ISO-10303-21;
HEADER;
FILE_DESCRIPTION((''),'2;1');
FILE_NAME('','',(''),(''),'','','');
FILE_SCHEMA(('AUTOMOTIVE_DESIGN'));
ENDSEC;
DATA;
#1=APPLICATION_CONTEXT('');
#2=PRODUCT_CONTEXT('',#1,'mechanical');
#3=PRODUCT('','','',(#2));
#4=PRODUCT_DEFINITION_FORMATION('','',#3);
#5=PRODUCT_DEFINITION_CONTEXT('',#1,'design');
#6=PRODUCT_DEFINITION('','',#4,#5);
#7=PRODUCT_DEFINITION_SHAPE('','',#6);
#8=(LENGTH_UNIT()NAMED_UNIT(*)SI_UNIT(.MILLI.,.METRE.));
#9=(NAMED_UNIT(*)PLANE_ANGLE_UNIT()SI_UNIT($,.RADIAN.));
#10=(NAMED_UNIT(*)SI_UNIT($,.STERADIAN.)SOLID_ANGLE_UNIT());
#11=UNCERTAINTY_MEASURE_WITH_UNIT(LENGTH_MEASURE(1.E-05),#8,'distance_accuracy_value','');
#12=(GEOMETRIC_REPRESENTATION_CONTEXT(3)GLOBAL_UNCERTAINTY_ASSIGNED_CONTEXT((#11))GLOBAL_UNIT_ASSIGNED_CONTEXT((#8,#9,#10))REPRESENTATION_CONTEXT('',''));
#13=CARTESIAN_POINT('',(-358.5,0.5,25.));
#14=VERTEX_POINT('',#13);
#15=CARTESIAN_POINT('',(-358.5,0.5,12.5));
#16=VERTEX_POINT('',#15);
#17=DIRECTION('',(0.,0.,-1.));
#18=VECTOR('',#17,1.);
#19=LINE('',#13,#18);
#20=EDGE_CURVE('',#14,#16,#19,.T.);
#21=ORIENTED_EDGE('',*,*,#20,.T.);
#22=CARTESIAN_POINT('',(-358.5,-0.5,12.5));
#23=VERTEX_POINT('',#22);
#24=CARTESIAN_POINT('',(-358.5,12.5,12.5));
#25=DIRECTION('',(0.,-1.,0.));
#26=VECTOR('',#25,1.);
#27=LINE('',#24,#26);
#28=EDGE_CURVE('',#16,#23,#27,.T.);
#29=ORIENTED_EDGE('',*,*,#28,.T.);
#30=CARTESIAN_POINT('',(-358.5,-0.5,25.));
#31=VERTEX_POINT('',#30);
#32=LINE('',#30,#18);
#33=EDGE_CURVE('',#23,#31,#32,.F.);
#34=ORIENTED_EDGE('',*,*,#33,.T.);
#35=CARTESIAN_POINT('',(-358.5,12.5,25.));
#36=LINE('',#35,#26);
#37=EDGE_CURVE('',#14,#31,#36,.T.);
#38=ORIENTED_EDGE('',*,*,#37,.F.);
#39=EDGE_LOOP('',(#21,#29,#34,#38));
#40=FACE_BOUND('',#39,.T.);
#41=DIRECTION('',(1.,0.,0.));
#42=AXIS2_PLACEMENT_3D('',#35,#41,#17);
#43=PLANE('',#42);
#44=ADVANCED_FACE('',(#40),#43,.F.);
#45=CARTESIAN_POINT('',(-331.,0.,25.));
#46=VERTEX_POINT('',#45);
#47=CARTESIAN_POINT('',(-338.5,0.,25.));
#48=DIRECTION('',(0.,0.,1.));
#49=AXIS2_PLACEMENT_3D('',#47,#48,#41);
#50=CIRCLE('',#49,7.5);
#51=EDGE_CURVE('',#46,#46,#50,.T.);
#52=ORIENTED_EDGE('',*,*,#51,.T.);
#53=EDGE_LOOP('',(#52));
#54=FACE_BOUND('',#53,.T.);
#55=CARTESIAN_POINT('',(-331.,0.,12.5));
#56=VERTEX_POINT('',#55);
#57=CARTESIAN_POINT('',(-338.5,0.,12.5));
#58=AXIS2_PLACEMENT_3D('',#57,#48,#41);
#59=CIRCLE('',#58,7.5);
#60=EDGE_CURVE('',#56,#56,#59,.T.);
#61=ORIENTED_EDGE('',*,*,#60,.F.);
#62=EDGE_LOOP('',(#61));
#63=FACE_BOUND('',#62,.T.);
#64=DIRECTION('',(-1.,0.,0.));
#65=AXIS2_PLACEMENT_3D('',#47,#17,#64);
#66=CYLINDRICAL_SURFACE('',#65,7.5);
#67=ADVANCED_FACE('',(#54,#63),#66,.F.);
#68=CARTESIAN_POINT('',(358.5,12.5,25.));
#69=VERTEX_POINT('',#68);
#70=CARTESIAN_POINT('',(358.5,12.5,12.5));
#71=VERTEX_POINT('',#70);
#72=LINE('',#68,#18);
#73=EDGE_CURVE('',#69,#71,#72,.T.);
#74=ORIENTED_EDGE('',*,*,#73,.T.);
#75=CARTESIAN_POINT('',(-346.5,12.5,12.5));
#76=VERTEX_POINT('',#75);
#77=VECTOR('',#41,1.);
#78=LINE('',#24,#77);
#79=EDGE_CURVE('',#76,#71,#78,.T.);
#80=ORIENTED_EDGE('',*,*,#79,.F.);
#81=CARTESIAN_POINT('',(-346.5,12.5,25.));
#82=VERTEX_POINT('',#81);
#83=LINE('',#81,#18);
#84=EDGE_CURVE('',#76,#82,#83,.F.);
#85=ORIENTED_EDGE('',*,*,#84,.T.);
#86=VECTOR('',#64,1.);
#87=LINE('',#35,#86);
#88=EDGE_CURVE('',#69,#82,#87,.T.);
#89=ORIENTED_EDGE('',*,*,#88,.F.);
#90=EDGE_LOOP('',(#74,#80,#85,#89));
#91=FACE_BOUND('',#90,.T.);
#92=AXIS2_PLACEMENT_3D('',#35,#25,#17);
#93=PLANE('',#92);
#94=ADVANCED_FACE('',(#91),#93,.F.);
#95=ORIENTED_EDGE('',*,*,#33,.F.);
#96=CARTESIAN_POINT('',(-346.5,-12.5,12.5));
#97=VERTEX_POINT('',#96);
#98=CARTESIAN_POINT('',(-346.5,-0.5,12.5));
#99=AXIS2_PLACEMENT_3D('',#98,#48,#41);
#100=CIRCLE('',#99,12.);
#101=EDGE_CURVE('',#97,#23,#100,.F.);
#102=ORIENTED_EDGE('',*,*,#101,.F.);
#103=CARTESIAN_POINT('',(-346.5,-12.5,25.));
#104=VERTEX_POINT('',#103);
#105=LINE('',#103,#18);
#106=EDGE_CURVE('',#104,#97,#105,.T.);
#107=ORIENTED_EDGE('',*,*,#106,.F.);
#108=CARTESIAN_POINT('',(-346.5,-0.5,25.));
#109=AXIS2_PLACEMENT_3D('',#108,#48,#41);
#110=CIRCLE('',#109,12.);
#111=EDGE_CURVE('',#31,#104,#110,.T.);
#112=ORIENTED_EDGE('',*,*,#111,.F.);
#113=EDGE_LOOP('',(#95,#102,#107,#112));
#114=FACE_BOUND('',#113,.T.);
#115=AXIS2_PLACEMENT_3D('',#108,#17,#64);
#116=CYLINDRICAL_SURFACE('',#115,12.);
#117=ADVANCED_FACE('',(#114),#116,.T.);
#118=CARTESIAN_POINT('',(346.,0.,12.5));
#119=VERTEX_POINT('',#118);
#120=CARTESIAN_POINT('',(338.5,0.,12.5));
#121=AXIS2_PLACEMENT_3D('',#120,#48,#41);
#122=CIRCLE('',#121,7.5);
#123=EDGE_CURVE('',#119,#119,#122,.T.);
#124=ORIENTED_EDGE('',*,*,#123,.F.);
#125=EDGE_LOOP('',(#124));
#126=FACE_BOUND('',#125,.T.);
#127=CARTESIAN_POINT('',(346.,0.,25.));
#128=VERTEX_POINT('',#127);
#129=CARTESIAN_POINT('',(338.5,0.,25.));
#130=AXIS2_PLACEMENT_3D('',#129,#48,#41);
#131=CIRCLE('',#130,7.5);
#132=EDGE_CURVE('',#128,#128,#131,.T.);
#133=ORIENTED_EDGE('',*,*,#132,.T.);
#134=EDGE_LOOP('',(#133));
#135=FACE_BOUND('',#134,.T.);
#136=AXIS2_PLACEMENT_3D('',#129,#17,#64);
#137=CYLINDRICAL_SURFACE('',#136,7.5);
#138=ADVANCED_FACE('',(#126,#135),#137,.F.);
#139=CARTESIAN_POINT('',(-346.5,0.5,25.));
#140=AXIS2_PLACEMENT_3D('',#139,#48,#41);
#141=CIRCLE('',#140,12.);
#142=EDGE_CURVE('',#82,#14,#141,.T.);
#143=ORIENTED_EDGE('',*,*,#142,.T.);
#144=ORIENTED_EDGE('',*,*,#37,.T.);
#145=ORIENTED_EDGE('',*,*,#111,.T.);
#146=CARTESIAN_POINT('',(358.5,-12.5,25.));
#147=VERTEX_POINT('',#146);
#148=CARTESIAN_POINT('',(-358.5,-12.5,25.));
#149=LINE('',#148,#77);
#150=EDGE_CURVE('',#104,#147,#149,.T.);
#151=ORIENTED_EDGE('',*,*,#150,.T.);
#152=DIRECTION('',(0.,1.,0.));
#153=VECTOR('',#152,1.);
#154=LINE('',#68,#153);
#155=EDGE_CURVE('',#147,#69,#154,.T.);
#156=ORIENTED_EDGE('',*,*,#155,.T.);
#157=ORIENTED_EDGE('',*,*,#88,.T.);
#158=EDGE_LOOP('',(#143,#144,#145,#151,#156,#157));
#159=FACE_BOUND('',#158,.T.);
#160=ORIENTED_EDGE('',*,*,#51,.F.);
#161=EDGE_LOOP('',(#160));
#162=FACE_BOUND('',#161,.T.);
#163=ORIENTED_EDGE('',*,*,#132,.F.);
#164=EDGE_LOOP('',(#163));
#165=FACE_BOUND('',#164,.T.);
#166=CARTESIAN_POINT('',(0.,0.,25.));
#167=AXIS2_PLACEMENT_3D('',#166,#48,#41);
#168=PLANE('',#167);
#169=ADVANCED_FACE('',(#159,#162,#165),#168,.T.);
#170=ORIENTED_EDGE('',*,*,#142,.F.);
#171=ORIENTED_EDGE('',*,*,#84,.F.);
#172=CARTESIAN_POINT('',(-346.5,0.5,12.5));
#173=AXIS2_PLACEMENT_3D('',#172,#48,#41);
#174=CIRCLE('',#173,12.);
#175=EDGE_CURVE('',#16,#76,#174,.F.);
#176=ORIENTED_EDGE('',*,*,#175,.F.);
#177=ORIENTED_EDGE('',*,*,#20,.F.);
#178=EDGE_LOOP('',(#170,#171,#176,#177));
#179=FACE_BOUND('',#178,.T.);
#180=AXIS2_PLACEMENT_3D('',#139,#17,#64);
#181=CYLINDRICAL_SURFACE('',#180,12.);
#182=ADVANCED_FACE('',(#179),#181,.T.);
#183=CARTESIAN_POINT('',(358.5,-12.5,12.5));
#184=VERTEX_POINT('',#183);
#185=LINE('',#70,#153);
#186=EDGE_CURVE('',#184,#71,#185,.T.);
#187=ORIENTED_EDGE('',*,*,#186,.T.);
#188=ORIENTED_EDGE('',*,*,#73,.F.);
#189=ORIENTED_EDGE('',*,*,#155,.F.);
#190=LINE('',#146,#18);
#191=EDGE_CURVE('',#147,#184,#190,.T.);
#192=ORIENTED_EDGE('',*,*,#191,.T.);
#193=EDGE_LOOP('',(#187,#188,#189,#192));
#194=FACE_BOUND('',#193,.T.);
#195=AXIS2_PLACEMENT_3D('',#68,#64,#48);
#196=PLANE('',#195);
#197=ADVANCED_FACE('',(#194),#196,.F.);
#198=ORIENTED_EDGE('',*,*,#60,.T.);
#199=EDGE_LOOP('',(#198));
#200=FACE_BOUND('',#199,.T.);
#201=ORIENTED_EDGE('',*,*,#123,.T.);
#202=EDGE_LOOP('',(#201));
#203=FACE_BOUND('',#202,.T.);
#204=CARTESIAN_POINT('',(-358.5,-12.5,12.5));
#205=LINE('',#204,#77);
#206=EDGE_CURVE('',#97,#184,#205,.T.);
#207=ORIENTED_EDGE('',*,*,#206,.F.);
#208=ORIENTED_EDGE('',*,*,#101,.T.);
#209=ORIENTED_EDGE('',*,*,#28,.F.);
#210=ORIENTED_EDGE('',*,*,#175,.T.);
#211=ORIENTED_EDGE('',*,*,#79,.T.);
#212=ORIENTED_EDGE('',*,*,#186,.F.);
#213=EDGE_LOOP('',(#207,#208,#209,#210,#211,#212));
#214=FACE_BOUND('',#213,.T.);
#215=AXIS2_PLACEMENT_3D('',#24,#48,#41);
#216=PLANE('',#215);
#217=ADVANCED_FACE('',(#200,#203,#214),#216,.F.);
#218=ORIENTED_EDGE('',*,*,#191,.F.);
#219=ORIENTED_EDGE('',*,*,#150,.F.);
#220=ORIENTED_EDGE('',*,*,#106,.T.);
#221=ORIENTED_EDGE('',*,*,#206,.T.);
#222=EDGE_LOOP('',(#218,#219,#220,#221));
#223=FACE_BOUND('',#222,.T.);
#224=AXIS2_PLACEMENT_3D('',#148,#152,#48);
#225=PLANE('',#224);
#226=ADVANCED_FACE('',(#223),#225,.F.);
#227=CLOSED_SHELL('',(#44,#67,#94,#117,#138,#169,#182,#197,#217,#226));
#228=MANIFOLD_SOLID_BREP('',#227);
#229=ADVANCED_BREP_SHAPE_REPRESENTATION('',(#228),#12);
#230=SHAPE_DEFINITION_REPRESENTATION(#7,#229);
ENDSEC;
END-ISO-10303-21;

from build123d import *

# Parameters (mm, degrees)
SKETCH1_W               = 717
SKETCH1_H               = 25
SKETCH1_R               = 7.5
BOSS_EXTRUDE1_DEPTH     = 25
FILLET1_R               = 12
CUT_EXTRUDE1_DEPTH      = 718.544597917
CUT_EXTRUDE1_DEPTH_BACK = 718.544597917
SKETCH2_W               = 12.5
SKETCH2_H               = 25


with BuildPart() as part:
    # Sketch1 → Boss-Extrude1 (new body)
    with BuildSketch(Plane.XY):
        Rectangle(SKETCH1_W, SKETCH1_H)
        with Locations((-338.5, 0)):
            Circle(SKETCH1_R, mode=Mode.SUBTRACT)
        with Locations((338.5, 0)):
            Circle(SKETCH1_R, mode=Mode.SUBTRACT)
    extrude(amount=BOSS_EXTRUDE1_DEPTH)

    # Fillet1
    fillet1_edges = [part.edges().sort_by_distance(p)[0] for p in [
        (-358.5, -12.5, 12.5),
        (-358.5, 12.5, 12.5),
    ]]
    fillet(fillet1_edges, radius=FILLET1_R)

    # Sketch2 → Cut-Extrude1 (cut, two sides: drawn at the far end of the back side and taken through both)
    with BuildSketch(Plane(origin=(358.5, 0, 0), x_dir=(0, 0, -1), z_dir=(1, 0, 0)).offset(-CUT_EXTRUDE1_DEPTH_BACK)):
        with Locations((-6.25, 0)):
            Rectangle(SKETCH2_W, SKETCH2_H)
    extrude(amount=CUT_EXTRUDE1_DEPTH + CUT_EXTRUDE1_DEPTH_BACK, mode=Mode.SUBTRACT)


solid = part.part
